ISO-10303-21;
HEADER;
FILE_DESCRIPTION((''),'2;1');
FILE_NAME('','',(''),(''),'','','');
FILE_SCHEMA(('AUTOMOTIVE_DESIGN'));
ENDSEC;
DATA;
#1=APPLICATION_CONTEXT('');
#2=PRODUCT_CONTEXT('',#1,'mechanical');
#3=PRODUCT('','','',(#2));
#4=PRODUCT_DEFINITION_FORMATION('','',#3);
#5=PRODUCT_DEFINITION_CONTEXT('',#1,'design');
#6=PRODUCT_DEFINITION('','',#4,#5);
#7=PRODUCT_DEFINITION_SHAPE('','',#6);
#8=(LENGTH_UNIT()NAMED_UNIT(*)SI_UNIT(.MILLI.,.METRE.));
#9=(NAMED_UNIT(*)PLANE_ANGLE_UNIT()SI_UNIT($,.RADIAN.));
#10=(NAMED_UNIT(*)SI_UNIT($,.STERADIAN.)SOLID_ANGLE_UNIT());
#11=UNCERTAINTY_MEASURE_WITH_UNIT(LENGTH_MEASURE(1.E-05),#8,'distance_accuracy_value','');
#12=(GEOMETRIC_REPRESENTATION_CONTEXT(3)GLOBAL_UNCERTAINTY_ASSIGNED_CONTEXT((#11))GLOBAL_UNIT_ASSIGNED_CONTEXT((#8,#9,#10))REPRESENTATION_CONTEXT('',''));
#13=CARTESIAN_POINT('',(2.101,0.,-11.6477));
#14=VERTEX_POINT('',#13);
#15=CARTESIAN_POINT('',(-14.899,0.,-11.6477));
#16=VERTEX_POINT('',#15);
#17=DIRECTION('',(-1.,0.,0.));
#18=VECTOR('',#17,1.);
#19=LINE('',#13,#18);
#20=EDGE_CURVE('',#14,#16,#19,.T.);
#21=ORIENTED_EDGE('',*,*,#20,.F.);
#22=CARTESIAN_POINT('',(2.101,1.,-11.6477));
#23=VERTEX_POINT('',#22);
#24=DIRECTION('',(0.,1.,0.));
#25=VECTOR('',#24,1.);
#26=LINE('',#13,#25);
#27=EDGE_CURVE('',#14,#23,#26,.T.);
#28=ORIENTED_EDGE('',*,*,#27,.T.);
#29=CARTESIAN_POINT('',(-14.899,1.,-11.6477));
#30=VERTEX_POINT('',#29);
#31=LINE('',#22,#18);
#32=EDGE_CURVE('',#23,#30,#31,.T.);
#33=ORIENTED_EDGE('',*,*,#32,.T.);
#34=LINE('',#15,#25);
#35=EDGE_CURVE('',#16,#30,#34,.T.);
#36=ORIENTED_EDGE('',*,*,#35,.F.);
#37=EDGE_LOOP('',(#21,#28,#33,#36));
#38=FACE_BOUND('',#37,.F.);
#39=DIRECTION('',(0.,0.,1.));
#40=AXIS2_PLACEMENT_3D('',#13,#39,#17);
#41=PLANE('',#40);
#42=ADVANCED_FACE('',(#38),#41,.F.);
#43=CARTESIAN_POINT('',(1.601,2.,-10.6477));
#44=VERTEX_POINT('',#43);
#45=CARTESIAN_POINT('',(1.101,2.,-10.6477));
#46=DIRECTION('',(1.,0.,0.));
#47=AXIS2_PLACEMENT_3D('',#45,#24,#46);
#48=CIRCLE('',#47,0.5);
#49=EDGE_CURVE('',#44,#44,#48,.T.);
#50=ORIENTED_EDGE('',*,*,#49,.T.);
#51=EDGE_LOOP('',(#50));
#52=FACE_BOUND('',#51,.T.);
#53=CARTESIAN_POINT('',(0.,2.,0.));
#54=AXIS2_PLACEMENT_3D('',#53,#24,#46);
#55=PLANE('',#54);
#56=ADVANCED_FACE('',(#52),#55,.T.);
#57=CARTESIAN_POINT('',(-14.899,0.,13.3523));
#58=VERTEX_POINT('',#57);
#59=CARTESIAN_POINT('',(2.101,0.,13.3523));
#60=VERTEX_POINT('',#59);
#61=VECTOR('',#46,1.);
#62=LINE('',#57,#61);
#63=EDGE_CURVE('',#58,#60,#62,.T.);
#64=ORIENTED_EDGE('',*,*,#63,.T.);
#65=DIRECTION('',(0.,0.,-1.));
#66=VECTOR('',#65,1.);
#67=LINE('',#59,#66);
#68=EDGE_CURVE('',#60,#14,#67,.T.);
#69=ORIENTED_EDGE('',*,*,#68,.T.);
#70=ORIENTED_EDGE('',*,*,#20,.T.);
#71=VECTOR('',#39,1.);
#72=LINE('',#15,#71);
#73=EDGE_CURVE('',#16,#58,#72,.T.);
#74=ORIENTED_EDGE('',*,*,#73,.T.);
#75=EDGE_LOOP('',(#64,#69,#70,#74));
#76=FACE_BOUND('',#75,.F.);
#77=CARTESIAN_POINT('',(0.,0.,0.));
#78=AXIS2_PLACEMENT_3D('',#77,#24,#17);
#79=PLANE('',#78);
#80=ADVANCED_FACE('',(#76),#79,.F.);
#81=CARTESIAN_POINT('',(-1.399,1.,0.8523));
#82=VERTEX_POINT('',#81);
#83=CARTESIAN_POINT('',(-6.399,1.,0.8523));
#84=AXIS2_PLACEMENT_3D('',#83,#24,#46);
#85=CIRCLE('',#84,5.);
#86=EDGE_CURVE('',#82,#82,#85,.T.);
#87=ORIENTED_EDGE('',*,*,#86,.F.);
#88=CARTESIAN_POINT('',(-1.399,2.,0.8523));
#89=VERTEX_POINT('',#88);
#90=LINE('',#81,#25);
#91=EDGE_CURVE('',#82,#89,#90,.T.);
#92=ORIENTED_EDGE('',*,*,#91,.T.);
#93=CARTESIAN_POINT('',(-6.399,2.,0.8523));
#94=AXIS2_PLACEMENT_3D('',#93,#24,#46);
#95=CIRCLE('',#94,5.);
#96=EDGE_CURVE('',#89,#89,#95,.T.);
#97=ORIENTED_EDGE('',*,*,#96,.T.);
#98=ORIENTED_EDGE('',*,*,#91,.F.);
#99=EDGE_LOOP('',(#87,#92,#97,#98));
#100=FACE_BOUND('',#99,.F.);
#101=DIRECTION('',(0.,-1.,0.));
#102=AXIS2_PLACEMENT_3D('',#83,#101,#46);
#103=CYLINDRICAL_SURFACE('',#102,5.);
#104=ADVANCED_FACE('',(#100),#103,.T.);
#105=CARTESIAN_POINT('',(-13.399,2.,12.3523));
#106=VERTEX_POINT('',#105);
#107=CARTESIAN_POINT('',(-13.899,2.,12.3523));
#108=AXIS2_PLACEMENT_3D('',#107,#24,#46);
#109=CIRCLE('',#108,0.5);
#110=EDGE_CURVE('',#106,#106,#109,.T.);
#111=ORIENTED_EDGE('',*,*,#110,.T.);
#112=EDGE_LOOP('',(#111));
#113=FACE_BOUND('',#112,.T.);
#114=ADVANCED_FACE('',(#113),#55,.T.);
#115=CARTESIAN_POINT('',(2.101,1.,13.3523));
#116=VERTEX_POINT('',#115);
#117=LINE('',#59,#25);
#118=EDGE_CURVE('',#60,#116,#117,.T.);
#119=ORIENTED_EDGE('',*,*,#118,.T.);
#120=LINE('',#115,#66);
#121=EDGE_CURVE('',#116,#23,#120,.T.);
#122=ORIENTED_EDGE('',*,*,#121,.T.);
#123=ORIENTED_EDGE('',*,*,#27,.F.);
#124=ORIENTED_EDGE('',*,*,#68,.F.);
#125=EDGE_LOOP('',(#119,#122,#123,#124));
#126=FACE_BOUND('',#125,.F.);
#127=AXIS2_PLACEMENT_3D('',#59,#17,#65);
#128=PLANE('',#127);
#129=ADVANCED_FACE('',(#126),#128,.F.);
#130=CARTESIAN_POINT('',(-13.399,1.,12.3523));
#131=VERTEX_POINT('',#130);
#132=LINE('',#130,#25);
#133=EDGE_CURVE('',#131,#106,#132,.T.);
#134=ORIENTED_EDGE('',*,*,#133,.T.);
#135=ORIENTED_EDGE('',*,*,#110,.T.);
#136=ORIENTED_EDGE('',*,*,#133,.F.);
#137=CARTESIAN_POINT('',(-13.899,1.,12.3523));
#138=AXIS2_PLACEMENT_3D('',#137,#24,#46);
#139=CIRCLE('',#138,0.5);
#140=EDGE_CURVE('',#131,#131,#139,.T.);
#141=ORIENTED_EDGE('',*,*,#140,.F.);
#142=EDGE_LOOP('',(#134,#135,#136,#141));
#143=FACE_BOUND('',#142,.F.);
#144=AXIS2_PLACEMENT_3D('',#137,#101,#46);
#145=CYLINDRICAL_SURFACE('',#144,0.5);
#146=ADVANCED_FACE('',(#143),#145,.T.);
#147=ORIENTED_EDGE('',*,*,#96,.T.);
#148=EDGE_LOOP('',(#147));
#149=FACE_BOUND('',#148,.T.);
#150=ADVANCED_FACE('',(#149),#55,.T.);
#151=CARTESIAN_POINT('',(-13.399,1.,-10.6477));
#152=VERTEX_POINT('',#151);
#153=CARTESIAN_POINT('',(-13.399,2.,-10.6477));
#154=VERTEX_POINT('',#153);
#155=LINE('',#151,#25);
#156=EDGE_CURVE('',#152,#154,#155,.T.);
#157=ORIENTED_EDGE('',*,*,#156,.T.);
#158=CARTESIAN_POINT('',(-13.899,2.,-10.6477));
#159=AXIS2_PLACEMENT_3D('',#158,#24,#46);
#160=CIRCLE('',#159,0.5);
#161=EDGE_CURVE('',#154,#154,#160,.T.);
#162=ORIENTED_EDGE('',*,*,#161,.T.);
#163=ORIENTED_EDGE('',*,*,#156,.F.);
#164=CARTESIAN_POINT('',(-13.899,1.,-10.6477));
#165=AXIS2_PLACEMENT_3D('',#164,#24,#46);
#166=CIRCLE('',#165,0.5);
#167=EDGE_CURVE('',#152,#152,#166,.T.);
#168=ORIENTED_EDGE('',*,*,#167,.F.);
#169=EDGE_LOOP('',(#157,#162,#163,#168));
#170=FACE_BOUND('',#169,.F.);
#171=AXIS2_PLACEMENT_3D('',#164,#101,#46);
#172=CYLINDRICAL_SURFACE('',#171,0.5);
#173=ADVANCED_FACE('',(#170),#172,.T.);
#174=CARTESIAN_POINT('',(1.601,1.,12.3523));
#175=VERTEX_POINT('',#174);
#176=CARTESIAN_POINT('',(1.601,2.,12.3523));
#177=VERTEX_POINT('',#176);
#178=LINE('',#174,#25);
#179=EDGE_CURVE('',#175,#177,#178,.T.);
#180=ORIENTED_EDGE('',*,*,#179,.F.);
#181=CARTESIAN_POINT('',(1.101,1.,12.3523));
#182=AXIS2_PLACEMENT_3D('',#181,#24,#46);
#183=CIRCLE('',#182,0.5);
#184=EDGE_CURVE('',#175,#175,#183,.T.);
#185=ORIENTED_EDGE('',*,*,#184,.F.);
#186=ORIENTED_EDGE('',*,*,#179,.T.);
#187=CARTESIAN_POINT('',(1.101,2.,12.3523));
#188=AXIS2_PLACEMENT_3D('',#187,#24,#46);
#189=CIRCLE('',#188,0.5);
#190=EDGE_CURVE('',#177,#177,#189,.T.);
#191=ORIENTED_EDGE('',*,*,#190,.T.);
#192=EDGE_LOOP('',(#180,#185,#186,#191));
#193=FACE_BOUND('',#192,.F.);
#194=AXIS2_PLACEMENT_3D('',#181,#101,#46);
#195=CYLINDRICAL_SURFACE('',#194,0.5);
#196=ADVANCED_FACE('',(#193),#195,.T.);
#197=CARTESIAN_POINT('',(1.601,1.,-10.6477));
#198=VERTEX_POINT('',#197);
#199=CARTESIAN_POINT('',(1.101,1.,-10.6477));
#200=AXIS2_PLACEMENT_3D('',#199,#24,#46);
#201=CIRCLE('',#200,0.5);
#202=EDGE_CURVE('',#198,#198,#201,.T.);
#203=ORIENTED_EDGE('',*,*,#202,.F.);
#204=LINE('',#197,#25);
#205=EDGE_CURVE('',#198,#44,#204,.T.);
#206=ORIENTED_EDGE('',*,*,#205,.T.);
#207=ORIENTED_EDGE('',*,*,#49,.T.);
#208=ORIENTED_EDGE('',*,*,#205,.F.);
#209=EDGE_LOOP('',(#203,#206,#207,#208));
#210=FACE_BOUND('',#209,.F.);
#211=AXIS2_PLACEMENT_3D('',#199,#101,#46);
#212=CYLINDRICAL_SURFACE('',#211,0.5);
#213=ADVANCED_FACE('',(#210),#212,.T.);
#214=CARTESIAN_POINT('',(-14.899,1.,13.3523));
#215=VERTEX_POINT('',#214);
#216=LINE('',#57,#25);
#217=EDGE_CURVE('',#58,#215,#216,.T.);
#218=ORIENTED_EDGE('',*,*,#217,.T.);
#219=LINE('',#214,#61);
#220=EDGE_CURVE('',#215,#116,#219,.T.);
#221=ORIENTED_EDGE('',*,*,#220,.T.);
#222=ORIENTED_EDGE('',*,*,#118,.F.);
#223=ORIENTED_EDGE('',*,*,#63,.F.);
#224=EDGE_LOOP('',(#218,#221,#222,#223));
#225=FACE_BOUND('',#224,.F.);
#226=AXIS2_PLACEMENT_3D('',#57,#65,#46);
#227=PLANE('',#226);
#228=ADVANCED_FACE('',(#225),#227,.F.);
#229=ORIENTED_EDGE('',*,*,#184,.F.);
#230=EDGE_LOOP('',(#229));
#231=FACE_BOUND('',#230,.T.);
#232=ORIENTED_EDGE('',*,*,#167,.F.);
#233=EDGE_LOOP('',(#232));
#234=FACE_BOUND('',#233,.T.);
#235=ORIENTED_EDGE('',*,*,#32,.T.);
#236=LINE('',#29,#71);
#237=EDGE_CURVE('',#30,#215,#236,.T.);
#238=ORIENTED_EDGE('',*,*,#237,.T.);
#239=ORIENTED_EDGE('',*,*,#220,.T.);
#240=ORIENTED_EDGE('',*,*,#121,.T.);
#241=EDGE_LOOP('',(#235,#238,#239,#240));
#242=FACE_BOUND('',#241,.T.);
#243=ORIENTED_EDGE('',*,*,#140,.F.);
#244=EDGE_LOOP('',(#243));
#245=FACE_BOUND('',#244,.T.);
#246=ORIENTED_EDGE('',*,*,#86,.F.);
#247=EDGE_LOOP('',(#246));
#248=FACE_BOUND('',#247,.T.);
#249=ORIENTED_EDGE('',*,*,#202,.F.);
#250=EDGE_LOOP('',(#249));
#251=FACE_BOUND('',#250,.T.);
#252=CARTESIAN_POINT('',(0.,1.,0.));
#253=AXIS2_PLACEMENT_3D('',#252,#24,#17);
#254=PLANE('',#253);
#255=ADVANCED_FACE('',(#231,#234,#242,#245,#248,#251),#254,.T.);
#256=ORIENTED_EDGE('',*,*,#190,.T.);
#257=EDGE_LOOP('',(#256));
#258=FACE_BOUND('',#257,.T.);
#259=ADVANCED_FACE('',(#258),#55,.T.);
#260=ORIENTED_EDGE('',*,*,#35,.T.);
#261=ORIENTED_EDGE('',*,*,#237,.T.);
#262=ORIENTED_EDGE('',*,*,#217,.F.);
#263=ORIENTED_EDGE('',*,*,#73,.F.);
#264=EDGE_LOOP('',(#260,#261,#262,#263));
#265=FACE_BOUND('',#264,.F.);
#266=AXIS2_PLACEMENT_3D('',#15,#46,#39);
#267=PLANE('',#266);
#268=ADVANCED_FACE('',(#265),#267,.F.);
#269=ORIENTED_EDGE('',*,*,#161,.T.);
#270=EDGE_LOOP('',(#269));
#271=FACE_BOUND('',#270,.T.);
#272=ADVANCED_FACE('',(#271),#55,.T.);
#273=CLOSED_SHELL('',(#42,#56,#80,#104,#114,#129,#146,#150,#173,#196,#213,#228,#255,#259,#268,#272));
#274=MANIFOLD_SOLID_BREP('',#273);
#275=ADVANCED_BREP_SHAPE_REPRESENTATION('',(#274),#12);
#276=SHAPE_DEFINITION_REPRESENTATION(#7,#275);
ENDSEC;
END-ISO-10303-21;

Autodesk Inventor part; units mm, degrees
ref_plane "YZ Plane" through (0, 0, 0) normal (1, 0, 0) x (0, 1, 0)
ref_plane "XZ Plane" through (0, 0, 0) normal (0, 1, 0) x (-1, 0, 0)
ref_plane "XY Plane" through (0, 0, 0) normal (0, 0, 1) x (1, 0, 0)
sketch "Эскиз1" plane through (0, 0, 0) normal (0, 1, 0) x (-1, 0, 0)
  line L0 (14.899, 13.3523) -> (-2.101, 13.3523)
  line L1 (-2.101, 13.3523) -> (-2.101, -11.6477)
  line L2 (-2.101, -11.6477) -> (14.899, -11.6477)
  line L3 (14.899, -11.6477) -> (14.899, 13.3523)
  point P0 (0, 0)
  dimension "d0" = 25
  dimension "d1" = 17
extrude "Выдавливание1" add sketch "Эскиз1" along normal blind 1
sketch "Эскиз2" plane through (0, 1, 0) normal (0, 1, 0) x (1, 0, 0)
  line L0 (-14.899, 11.6477) -> (-14.899, -13.3523) construction
  line L1 (2.101, -13.3523) -> (2.101, 11.6477) construction
  line L2 (-14.899, -13.3523) -> (2.101, 11.6477) construction
  line L3 (2.101, 11.6477) -> (-14.899, 11.6477) construction
  line L4 (-14.899, 11.6477) -> (2.101, -13.3523) construction
  line L5 (-13.899, -12.3523) -> (1.101, -12.3523) construction
  line L6 (1.101, -12.3523) -> (1.101, 10.6477) construction
  line L7 (1.101, 10.6477) -> (-13.899, 10.6477) construction
  line L8 (-13.899, 10.6477) -> (-13.899, -12.3523) construction
  line L9 (-13.899, -12.3523) -> (1.101, 10.6477) construction
  line L10 (1.101, -12.3523) -> (-13.899, 10.6477) construction
  circle A0 centre (-13.899, -12.3523) radius 0.5
  circle A1 centre (-13.899, 10.6477) radius 0.5
  circle A2 centre (1.101, 10.6477) radius 0.5
  circle A3 centre (1.101, -12.3523) radius 0.5
  circle A4 centre (-6.399, -0.8523) radius 5
  point P0 (0, 0)
  point P1 (-6.399, -0.8523)
  dimension "d4" = 23
  dimension "d5" = 15
  dimension "d6" = 1
  dimension "d7" = 10
extrude "Выдавливание2" add sketch "Эскиз2" along normal blind 1
properties part number "тест"
